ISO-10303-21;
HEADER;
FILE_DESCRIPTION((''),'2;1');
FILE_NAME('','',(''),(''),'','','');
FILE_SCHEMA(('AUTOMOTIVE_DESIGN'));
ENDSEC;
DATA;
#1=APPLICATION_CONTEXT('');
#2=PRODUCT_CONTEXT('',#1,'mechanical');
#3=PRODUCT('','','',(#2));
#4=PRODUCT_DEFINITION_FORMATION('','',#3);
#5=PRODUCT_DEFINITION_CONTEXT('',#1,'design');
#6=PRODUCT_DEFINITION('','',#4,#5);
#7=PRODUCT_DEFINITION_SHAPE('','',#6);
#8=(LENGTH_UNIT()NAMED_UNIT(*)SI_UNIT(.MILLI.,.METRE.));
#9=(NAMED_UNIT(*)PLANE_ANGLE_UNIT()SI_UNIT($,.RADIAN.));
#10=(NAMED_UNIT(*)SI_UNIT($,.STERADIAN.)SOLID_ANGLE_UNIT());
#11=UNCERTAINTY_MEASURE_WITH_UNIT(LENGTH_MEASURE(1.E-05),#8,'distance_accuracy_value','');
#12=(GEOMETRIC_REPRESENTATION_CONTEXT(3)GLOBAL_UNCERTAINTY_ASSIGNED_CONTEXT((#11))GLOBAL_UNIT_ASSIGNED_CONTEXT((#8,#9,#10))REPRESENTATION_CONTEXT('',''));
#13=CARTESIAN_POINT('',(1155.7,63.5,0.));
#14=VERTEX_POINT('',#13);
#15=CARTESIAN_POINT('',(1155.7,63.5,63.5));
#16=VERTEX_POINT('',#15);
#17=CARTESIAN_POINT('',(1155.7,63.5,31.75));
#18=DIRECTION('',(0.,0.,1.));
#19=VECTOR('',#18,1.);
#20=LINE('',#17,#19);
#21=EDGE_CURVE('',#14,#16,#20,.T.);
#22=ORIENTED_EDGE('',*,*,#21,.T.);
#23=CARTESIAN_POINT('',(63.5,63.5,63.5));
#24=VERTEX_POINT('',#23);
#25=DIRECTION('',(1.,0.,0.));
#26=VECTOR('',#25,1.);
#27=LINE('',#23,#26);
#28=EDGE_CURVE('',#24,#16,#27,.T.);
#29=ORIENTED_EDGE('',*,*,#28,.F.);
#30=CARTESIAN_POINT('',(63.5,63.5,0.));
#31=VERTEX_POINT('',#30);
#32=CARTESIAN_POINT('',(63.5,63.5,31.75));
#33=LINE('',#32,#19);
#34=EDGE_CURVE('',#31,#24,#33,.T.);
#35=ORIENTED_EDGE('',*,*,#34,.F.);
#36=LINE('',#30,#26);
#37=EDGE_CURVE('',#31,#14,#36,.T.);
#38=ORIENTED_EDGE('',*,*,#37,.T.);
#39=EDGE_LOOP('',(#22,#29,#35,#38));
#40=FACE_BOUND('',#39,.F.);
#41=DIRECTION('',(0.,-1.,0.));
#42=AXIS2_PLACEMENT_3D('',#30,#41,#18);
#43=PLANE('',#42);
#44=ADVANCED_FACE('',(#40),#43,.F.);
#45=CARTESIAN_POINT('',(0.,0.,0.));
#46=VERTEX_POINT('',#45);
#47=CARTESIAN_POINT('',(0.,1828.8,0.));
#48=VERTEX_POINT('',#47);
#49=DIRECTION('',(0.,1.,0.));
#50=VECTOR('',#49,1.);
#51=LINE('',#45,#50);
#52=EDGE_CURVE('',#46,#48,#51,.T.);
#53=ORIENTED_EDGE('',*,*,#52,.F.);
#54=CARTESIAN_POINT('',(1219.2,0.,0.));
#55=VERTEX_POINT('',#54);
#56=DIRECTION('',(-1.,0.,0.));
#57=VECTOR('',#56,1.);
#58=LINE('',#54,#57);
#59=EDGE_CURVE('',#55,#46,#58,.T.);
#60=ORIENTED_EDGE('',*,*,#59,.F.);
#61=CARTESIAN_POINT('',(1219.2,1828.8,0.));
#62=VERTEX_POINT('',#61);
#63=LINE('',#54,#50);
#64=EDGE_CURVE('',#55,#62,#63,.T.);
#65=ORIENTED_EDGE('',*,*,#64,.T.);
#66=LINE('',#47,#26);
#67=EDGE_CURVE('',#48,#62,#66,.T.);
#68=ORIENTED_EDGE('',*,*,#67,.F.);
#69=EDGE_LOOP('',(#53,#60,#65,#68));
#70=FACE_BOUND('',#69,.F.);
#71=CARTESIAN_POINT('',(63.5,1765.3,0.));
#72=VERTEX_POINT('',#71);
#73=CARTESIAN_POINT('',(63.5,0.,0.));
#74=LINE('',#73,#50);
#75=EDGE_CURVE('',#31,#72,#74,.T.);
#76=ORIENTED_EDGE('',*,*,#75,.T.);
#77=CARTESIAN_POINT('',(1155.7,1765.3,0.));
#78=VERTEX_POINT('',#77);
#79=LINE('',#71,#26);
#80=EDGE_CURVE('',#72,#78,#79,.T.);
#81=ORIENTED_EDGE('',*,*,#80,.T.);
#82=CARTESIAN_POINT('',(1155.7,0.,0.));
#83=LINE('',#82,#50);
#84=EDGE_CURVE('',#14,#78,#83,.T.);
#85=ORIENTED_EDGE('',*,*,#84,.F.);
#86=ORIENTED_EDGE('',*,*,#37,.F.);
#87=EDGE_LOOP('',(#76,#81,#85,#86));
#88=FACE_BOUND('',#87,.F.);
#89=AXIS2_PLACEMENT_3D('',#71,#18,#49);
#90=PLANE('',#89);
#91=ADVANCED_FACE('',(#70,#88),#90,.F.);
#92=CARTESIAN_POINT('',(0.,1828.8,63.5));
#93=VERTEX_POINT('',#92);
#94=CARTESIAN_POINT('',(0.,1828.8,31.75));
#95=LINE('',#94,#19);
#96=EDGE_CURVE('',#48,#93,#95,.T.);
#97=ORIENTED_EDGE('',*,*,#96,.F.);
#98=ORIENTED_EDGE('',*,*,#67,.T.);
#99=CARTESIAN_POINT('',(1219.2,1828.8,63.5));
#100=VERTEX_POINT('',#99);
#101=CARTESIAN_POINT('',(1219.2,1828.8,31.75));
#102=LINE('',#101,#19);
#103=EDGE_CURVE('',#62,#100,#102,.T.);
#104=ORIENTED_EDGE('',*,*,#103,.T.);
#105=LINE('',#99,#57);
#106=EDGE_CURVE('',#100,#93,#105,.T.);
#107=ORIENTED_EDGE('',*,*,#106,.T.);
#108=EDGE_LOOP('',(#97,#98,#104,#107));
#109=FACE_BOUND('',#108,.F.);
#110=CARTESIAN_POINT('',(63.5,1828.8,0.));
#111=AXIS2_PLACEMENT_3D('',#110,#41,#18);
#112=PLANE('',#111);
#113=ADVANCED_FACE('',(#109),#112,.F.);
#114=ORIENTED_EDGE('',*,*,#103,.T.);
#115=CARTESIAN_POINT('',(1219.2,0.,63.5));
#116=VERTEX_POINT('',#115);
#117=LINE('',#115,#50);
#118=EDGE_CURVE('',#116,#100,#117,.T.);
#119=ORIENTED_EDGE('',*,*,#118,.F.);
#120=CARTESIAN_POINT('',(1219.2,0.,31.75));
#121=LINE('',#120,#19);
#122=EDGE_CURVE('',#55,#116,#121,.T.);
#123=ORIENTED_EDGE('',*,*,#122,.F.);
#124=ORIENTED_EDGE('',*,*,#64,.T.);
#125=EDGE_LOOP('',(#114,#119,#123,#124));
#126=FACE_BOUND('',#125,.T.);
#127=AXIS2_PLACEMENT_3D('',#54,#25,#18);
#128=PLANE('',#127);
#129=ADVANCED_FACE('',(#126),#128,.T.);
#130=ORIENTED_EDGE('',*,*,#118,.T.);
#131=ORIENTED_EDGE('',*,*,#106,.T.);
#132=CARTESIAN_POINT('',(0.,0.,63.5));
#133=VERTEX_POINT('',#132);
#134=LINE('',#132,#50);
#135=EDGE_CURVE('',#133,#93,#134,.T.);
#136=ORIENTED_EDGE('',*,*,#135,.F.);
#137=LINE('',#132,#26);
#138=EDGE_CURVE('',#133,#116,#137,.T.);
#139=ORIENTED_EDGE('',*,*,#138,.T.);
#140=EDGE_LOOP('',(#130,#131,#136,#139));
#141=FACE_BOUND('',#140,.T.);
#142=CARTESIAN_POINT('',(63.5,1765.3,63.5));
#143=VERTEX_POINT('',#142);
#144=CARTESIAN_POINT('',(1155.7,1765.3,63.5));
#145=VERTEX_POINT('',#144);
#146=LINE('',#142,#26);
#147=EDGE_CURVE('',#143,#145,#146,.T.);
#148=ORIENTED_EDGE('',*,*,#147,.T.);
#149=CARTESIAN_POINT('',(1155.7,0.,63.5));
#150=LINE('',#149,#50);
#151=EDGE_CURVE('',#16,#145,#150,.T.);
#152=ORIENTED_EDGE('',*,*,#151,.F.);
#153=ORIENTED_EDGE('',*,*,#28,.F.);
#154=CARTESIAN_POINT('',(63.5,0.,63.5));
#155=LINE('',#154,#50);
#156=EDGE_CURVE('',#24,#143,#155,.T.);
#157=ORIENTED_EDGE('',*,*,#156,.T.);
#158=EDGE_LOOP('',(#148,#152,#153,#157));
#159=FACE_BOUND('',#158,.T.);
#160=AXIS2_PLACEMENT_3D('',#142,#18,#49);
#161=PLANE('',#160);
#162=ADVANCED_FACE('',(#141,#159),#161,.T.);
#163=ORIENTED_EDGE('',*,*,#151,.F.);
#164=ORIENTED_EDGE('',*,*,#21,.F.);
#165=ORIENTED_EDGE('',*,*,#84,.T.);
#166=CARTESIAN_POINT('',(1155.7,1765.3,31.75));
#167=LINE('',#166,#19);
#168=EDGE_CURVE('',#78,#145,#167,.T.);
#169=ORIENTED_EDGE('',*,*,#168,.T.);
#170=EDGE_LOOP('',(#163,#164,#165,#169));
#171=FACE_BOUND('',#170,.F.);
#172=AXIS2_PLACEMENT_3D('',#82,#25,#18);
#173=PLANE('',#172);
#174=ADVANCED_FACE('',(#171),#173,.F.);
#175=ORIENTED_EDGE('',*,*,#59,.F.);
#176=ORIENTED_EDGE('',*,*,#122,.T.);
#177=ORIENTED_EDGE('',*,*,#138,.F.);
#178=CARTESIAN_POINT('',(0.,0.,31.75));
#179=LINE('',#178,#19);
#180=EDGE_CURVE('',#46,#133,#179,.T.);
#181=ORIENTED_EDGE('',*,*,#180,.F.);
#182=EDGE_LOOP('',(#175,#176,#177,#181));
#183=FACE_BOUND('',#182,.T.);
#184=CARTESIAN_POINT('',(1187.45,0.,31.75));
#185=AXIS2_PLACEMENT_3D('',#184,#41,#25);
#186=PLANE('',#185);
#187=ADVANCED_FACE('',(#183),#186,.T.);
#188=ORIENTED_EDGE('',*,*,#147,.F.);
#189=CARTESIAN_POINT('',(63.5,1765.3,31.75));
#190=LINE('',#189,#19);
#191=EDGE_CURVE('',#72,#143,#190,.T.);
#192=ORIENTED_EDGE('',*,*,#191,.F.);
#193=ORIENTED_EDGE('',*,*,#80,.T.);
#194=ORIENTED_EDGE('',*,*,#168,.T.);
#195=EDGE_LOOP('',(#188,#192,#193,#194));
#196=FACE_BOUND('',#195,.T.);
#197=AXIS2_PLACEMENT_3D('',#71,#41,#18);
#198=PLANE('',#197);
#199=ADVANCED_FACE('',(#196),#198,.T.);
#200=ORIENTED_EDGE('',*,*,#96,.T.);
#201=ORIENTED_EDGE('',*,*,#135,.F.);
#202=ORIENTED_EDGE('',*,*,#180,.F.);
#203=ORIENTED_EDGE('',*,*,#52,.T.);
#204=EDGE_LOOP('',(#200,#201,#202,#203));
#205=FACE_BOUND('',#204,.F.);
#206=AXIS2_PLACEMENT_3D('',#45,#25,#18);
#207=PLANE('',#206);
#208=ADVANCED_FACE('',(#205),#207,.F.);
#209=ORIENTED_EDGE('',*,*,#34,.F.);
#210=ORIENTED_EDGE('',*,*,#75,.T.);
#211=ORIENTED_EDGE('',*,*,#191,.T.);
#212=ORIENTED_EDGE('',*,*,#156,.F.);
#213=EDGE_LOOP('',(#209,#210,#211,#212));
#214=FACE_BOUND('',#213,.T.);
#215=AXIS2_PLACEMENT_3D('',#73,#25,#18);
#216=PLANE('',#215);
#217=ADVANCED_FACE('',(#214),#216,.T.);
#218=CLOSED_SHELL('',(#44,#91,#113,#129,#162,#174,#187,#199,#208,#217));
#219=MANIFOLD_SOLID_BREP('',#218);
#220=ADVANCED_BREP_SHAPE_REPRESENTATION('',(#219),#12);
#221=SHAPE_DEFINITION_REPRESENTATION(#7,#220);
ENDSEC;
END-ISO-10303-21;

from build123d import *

# Parameters (mm, degrees)
F0_W     = 63.5
F0_H     = 63.5
F1_DEPTH = 1828.8
F2_W     = 63.5
F2_H     = 63.5
F3_DEPTH = 1092.2
F4_W     = 63.5
F4_H     = 63.5
F5_DEPTH = 1828.8
F6_W     = 63.5
F6_H     = 63.5
F7_DEPTH = 1092.2


with BuildPart() as f1:
    # F0 (on Front) → F1 (new body)
    with BuildSketch(Plane.XZ):
        with Locations((31.75, 31.75)):
            Rectangle(F0_W, F0_H)
    extrude(amount=-F1_DEPTH)

    # F2 (on face) → F3 (join)
    with BuildSketch(Plane.YZ.offset(63.5)):
        with Locations((31.75, 31.75)):
            Rectangle(F2_W, F2_H)
    extrude(amount=F3_DEPTH)

    # F4 (on face) → F5 (join)
    with BuildSketch(Plane.XZ):
        with Locations((1187.45, 31.75)):
            Rectangle(F4_W, F4_H)
    extrude(amount=-F5_DEPTH)

    # F6 (on face) → F7 (join)
    with BuildSketch(Plane.YZ.offset(63.5)):
        with Locations((1797.05, 31.75)):
            Rectangle(F6_W, F6_H)
    extrude(amount=F7_DEPTH)


solid = f1.part
